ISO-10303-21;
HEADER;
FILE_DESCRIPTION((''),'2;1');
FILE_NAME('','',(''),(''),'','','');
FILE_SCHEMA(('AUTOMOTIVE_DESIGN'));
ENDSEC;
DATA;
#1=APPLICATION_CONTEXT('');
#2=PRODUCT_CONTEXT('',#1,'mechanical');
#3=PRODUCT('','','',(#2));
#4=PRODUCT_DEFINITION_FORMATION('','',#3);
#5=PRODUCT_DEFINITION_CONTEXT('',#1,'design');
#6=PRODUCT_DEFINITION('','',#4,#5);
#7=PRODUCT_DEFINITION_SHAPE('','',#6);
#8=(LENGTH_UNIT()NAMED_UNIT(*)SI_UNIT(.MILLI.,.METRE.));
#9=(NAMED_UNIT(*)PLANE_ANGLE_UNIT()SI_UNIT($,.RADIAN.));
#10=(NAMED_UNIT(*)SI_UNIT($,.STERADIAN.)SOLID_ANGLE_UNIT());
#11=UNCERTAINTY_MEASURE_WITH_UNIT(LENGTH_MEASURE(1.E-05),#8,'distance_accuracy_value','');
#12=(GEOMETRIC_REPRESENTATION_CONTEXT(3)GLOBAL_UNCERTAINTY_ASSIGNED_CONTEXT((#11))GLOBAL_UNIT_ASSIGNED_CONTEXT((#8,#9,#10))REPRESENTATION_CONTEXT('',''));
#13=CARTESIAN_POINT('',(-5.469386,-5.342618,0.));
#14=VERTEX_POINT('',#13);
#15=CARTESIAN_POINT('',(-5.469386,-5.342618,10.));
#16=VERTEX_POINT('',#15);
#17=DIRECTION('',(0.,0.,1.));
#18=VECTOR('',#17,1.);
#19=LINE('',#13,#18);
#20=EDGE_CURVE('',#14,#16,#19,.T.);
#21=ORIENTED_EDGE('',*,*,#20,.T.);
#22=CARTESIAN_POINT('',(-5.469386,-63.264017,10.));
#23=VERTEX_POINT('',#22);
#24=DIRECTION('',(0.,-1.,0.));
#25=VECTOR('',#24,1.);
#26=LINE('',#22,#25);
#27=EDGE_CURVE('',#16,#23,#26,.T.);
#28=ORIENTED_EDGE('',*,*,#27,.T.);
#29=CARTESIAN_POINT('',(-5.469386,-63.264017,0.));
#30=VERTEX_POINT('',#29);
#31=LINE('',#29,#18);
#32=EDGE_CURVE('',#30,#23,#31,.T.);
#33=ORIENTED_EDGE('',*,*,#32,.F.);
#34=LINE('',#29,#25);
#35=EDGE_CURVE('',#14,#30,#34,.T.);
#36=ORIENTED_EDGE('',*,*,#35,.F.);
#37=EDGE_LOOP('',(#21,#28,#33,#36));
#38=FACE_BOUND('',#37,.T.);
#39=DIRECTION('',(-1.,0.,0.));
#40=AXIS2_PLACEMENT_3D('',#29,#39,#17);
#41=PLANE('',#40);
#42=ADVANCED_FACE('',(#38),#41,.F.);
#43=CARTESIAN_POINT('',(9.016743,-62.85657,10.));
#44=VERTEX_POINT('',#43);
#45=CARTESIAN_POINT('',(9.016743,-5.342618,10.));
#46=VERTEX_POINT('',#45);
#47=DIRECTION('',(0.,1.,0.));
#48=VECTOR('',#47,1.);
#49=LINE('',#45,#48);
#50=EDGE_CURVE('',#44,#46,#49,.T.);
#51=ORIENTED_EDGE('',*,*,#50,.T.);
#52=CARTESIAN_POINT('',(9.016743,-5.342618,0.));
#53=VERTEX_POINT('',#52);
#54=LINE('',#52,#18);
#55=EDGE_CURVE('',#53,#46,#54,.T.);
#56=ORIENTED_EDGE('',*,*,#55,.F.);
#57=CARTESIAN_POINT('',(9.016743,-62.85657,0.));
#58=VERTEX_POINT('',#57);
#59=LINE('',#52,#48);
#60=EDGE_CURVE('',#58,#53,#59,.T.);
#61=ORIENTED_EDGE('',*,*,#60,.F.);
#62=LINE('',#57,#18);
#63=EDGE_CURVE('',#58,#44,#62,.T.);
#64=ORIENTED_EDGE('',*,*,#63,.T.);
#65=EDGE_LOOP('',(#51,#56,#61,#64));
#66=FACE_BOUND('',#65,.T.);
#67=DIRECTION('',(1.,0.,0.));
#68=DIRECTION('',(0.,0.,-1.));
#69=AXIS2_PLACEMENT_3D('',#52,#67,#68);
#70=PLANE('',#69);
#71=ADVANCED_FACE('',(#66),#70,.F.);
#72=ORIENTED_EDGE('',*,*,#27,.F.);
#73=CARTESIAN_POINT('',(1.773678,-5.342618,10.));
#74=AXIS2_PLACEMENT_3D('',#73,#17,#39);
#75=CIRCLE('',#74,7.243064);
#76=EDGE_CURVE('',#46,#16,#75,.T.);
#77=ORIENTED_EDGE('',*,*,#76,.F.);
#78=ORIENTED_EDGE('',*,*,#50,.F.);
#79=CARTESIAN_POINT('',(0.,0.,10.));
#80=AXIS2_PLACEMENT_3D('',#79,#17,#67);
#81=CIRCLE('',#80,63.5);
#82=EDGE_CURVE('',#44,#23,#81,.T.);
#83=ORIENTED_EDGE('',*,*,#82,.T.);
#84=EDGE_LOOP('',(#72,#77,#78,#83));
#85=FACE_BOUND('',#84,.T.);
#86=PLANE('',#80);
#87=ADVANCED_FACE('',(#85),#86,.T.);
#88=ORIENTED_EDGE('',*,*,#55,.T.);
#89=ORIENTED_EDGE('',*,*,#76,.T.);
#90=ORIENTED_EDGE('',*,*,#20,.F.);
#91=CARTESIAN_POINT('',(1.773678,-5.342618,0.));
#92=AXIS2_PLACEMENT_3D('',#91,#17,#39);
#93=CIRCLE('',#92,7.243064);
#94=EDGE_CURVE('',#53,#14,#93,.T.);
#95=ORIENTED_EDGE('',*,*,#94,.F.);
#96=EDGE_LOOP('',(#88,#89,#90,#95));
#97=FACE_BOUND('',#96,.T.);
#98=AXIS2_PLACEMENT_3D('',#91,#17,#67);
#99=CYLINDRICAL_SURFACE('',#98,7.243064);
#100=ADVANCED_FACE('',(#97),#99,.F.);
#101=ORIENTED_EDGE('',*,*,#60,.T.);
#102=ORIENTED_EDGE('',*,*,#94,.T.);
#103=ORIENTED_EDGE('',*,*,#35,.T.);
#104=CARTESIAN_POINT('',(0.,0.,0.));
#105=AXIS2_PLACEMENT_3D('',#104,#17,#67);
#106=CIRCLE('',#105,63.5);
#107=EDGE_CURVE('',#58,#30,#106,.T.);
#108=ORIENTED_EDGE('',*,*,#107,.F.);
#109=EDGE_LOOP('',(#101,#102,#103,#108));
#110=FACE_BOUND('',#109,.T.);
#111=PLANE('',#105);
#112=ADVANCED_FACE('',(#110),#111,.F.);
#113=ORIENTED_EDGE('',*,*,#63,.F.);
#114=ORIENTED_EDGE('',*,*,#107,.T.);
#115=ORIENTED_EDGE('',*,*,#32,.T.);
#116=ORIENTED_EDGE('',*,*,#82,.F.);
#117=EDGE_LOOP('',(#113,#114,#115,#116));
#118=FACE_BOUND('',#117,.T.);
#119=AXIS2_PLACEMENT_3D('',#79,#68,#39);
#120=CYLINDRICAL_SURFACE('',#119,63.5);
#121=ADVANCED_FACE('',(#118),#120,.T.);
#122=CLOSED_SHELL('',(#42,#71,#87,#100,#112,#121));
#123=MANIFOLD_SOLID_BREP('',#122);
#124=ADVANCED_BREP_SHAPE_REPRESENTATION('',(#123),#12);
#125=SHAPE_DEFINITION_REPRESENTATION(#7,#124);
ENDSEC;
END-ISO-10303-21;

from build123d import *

# Parameters (mm, degrees)
SKETCH1_R           = 63.5
BOSS_EXTRUDE1_DEPTH = 10
CUT_EXTRUDE1_DEPTH  = 10


with BuildPart() as part:
    # Sketch1 → Boss-Extrude1 (new body)
    with BuildSketch(Plane.XY):
        Circle(SKETCH1_R)
    extrude(amount=BOSS_EXTRUDE1_DEPTH)

    # Sketch2 → Cut-Extrude1 (cut)
    with BuildSketch(Plane.XY.offset(10)):
        with BuildLine():
            Line((-5.46938567, -63.26401679), (-5.46938567, -5.342617738))
            ThreePointArc((-5.46938567, -5.342617738), (1.773678457, 1.900446389), (9.016742583, -5.342617738))
            Line((9.016742583, -5.342617738), (9.016742583, -62.85656969))
            ThreePointArc((9.016742583, -62.85656969), (1.971752502, -70.102498286), (-5.46938567, -63.26401679))
        make_face()
    extrude(amount=-CUT_EXTRUDE1_DEPTH, mode=Mode.SUBTRACT)


solid = part.part
